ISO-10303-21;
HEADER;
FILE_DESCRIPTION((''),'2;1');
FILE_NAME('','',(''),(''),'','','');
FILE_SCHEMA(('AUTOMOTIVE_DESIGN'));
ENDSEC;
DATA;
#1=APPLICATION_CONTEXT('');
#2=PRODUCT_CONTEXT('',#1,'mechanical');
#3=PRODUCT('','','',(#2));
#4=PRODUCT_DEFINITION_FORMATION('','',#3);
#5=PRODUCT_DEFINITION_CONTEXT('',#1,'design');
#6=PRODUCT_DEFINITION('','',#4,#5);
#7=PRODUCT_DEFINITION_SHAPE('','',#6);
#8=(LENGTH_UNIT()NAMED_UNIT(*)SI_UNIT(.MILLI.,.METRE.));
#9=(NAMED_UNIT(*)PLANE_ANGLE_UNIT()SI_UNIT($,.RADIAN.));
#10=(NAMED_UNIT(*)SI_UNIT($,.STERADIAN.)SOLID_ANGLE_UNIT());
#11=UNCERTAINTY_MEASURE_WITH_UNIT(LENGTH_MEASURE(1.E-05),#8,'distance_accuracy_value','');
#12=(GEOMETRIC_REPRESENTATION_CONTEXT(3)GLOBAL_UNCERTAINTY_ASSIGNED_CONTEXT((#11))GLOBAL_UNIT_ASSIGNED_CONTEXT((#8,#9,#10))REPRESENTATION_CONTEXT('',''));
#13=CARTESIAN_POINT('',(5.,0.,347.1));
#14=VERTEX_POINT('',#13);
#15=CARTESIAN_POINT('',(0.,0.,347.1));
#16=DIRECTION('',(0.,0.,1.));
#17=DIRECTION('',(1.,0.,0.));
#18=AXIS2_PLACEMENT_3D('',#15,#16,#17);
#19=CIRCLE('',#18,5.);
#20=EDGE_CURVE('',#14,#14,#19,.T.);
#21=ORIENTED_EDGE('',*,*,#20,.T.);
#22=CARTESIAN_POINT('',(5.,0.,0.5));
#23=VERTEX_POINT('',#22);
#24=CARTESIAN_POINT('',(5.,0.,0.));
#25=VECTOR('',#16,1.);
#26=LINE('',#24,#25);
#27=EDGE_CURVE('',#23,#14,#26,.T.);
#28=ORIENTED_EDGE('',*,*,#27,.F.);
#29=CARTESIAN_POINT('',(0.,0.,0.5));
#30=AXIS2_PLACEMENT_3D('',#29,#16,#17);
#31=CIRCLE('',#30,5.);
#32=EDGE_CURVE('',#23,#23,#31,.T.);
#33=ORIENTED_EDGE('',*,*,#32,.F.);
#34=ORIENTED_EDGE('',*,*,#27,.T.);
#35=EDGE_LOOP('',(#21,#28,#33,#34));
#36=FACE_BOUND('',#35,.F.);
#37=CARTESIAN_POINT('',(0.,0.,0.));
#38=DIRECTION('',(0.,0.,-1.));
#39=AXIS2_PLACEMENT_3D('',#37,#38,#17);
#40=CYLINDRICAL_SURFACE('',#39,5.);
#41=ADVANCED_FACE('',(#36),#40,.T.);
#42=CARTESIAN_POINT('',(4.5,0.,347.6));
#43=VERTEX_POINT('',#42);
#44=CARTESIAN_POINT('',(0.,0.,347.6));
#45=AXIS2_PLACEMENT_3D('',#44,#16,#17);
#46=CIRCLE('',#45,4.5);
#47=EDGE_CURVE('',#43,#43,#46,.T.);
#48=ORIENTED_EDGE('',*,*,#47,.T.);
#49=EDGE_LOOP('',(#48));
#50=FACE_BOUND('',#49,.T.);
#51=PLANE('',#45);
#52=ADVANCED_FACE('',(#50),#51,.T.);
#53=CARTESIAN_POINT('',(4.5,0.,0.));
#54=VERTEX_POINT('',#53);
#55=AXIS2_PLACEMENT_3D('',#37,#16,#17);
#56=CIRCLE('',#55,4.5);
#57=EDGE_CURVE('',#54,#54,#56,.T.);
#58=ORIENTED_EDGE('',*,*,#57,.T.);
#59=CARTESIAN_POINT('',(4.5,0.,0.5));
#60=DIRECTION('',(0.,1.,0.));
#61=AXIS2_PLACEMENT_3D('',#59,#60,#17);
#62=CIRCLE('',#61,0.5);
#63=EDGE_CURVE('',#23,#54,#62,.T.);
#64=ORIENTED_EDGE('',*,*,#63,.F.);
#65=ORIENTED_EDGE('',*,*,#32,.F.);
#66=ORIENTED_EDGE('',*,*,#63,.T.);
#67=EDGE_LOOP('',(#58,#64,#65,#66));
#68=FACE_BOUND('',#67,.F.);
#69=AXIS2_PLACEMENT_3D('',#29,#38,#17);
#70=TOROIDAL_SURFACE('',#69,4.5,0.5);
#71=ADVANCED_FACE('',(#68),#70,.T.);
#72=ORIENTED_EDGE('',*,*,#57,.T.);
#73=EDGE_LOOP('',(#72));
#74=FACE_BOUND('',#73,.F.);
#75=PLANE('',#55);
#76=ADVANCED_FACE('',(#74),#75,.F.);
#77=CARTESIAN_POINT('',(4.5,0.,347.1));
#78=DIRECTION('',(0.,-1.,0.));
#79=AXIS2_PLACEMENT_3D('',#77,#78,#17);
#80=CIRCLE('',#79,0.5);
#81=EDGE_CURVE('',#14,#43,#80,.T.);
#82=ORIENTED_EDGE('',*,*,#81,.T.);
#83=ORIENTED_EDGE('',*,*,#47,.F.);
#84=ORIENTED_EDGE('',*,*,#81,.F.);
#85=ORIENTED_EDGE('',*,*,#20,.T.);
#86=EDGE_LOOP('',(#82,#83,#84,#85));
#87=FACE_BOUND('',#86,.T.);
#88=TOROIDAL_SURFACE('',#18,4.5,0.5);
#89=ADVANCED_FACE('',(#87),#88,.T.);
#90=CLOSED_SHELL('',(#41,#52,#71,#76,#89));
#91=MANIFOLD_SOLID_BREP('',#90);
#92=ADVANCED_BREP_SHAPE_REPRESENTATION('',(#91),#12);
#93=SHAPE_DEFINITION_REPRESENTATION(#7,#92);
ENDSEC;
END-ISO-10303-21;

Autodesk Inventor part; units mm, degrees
ref_plane "YZ Plane" through (0, 0, 0) normal (1, 0, 0) x (0, 1, 0)
ref_plane "XZ Plane" through (0, 0, 0) normal (0, 1, 0) x (-1, 0, 0)
ref_plane "XY Plane" through (0, 0, 0) normal (0, 0, 1) x (1, 0, 0)
sketch "Boceto1" plane through (0, 0, 0) normal (0, 0, 1) x (1, 0, 0)
  circle A0 centre (0, 0) radius 5
extrude "Extrusión1" add sketch "Boceto1" along normal blind 347.6
fillet "Empalme1" radius 0.5 2 edges at (-5, 0, 347.6) (-5, 0, 0)
properties part number "varilla 10 eje z"
